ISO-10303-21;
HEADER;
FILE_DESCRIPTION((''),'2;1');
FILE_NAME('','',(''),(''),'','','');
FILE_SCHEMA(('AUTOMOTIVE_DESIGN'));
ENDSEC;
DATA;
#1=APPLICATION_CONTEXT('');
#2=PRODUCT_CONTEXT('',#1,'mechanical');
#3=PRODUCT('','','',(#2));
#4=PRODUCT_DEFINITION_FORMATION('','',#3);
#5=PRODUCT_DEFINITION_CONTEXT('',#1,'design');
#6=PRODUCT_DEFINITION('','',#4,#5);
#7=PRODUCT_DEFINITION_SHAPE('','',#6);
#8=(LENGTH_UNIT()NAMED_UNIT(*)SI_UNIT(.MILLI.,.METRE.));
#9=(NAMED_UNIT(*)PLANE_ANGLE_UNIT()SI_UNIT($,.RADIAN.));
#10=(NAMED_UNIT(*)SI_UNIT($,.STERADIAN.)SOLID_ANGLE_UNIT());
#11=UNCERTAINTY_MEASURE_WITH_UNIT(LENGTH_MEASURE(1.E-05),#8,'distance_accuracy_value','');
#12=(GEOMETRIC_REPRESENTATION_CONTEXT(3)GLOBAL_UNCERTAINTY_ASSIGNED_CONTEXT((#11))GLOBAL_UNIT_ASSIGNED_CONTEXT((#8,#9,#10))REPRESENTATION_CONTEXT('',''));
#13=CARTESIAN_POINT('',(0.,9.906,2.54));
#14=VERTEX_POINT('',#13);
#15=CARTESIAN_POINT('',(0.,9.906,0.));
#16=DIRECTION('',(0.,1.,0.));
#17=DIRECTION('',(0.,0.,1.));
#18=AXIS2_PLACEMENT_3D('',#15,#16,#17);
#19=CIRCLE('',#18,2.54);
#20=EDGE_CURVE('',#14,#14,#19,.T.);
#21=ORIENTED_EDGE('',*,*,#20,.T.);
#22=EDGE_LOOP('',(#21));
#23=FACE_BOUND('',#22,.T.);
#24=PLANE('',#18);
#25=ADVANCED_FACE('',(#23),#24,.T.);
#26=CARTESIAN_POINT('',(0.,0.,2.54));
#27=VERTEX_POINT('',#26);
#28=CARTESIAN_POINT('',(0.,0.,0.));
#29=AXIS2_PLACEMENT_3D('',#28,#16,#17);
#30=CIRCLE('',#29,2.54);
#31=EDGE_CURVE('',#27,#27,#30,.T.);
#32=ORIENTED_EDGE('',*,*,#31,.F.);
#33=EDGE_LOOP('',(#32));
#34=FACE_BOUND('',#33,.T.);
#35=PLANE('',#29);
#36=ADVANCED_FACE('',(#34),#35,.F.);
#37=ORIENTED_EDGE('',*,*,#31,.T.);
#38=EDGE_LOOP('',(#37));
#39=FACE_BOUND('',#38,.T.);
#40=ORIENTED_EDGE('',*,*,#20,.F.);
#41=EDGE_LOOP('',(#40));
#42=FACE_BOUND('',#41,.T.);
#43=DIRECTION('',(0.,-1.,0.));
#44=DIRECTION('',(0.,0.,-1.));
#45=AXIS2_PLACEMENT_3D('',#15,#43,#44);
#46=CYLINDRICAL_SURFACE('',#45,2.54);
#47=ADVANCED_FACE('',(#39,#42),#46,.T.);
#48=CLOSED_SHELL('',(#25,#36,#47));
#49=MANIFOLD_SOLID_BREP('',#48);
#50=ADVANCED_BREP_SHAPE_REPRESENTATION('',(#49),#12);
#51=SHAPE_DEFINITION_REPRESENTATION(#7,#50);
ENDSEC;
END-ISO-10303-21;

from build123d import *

# Parameters (mm, degrees)
SKETCH1_R           = 2.54
BOSS_EXTRUDE1_DEPTH = 9.906


with BuildPart() as part:
    # Sketch1 → Boss-Extrude1 (new body)
    with BuildSketch(Plane(origin=(0, 0, 0), x_dir=(1, 0, 0), z_dir=(0, 1, 0))):
        with Locations(Location((0, 0, 0), (0, 0, 270))):
            Circle(SKETCH1_R)
    extrude(amount=BOSS_EXTRUDE1_DEPTH)


solid = part.part
